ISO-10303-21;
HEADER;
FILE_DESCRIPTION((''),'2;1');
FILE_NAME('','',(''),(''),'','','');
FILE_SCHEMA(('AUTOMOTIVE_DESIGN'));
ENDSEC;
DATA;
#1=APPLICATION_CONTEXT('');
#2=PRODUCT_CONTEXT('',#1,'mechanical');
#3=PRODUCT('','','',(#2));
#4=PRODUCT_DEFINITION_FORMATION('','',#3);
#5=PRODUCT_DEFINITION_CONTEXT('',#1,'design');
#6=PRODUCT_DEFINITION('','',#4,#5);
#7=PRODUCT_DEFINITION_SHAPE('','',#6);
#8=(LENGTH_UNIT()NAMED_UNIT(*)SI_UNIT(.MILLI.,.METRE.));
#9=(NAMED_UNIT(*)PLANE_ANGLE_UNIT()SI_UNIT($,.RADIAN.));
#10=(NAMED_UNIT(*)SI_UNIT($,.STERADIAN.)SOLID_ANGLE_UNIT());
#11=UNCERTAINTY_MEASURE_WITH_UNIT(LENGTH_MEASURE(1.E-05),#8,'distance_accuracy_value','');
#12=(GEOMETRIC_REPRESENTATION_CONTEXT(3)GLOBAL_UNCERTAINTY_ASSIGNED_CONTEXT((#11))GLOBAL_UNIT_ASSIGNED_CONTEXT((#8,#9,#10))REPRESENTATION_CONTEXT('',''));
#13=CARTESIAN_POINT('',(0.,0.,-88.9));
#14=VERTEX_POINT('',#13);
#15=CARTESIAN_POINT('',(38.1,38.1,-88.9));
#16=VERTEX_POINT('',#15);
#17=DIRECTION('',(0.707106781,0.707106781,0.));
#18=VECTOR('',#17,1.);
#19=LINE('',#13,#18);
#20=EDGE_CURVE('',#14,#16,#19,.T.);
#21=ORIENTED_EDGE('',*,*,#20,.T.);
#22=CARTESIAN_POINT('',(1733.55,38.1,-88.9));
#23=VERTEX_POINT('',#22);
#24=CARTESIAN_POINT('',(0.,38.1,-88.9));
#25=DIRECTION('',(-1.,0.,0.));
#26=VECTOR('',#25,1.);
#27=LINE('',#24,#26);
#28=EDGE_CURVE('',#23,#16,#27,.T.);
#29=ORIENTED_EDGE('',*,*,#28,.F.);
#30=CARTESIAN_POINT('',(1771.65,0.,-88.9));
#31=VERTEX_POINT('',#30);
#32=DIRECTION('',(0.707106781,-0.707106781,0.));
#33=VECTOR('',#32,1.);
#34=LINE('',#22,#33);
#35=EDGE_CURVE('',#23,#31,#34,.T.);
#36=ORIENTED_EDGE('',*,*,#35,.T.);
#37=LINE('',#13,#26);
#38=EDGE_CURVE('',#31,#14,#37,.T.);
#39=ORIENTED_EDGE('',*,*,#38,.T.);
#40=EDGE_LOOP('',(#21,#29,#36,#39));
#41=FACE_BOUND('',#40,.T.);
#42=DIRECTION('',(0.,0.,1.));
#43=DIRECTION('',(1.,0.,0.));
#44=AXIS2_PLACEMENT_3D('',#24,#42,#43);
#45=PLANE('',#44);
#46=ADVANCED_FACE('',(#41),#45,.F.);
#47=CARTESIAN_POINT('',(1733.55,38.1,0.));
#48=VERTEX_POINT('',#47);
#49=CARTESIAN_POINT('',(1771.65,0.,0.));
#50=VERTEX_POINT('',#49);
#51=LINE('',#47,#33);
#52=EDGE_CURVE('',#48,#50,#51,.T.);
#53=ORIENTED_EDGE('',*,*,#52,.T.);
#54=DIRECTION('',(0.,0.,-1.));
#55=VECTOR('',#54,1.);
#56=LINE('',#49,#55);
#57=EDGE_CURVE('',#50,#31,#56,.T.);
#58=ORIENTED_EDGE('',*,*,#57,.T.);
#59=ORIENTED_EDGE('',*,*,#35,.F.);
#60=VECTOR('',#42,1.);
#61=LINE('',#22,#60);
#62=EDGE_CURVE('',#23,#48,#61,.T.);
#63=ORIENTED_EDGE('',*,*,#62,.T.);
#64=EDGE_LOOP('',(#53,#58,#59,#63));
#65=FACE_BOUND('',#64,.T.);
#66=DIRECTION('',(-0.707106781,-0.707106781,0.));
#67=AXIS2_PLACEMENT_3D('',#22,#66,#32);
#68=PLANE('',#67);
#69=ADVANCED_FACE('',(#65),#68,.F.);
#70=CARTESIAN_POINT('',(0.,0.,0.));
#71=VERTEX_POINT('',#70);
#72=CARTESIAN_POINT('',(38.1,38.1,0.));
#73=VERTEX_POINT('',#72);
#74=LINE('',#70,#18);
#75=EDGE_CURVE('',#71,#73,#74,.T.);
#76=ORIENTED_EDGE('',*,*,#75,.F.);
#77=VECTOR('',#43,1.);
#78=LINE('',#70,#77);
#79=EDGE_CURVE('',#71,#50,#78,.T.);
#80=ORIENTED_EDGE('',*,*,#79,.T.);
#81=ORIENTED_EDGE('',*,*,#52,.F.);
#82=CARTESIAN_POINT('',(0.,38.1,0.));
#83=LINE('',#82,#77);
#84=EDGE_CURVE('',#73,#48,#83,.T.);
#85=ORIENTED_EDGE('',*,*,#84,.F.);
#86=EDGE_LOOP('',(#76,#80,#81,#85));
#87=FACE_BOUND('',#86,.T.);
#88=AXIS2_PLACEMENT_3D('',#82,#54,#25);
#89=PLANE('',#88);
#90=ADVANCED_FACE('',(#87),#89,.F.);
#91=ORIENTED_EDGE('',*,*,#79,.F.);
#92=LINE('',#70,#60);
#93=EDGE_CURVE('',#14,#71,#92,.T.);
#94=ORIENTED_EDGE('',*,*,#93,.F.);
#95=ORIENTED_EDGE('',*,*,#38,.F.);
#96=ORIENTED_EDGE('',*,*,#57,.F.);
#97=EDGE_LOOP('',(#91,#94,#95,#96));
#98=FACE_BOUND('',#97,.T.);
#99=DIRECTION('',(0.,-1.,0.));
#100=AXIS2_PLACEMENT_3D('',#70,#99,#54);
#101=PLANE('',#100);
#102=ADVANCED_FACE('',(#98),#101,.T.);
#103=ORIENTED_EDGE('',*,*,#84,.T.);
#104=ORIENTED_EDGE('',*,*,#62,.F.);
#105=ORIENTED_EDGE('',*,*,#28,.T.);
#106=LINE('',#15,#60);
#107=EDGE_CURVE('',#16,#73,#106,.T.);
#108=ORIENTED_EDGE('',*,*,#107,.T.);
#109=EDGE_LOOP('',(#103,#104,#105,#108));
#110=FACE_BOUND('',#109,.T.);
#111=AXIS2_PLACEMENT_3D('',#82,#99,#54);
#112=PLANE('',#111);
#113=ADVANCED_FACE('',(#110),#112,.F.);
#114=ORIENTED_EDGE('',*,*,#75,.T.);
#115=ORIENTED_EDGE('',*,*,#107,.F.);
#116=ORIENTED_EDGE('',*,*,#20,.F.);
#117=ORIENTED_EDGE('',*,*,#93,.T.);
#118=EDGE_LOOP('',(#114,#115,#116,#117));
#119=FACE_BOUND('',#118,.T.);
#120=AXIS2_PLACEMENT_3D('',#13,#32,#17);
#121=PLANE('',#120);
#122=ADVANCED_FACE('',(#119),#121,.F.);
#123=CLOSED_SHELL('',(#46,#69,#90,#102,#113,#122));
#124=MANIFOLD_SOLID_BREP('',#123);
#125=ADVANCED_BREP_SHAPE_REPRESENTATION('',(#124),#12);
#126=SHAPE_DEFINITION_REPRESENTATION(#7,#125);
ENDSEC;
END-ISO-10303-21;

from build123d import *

# Parameters (mm, degrees)
SKETCH1_W           = 1771.65
SKETCH1_H           = 88.9
BOSS_EXTRUDE1_DEPTH = 38.1
CUT_EXTRUDE1_DEPTH  = 89.9


with BuildPart() as part:
    # Sketch1 → Boss-Extrude1 (new body)
    with BuildSketch(Plane(origin=(0, 0, 0), x_dir=(1, 0, 0), z_dir=(0, 1, 0))):
        with Locations((885.825, 44.45)):
            Rectangle(SKETCH1_W, SKETCH1_H)
    extrude(amount=BOSS_EXTRUDE1_DEPTH)

    # Sketch2 → Cut-Extrude1 (cut, through all)
    with BuildSketch(Plane.XY):
        Polygon((0, 0), (38.1, 38.1), (0, 38.1), align=None)
        Polygon((1771.65, 0), (1771.65, 38.1), (1733.55, 38.1), align=None)
    extrude(amount=-CUT_EXTRUDE1_DEPTH, mode=Mode.SUBTRACT)


solid = part.part
